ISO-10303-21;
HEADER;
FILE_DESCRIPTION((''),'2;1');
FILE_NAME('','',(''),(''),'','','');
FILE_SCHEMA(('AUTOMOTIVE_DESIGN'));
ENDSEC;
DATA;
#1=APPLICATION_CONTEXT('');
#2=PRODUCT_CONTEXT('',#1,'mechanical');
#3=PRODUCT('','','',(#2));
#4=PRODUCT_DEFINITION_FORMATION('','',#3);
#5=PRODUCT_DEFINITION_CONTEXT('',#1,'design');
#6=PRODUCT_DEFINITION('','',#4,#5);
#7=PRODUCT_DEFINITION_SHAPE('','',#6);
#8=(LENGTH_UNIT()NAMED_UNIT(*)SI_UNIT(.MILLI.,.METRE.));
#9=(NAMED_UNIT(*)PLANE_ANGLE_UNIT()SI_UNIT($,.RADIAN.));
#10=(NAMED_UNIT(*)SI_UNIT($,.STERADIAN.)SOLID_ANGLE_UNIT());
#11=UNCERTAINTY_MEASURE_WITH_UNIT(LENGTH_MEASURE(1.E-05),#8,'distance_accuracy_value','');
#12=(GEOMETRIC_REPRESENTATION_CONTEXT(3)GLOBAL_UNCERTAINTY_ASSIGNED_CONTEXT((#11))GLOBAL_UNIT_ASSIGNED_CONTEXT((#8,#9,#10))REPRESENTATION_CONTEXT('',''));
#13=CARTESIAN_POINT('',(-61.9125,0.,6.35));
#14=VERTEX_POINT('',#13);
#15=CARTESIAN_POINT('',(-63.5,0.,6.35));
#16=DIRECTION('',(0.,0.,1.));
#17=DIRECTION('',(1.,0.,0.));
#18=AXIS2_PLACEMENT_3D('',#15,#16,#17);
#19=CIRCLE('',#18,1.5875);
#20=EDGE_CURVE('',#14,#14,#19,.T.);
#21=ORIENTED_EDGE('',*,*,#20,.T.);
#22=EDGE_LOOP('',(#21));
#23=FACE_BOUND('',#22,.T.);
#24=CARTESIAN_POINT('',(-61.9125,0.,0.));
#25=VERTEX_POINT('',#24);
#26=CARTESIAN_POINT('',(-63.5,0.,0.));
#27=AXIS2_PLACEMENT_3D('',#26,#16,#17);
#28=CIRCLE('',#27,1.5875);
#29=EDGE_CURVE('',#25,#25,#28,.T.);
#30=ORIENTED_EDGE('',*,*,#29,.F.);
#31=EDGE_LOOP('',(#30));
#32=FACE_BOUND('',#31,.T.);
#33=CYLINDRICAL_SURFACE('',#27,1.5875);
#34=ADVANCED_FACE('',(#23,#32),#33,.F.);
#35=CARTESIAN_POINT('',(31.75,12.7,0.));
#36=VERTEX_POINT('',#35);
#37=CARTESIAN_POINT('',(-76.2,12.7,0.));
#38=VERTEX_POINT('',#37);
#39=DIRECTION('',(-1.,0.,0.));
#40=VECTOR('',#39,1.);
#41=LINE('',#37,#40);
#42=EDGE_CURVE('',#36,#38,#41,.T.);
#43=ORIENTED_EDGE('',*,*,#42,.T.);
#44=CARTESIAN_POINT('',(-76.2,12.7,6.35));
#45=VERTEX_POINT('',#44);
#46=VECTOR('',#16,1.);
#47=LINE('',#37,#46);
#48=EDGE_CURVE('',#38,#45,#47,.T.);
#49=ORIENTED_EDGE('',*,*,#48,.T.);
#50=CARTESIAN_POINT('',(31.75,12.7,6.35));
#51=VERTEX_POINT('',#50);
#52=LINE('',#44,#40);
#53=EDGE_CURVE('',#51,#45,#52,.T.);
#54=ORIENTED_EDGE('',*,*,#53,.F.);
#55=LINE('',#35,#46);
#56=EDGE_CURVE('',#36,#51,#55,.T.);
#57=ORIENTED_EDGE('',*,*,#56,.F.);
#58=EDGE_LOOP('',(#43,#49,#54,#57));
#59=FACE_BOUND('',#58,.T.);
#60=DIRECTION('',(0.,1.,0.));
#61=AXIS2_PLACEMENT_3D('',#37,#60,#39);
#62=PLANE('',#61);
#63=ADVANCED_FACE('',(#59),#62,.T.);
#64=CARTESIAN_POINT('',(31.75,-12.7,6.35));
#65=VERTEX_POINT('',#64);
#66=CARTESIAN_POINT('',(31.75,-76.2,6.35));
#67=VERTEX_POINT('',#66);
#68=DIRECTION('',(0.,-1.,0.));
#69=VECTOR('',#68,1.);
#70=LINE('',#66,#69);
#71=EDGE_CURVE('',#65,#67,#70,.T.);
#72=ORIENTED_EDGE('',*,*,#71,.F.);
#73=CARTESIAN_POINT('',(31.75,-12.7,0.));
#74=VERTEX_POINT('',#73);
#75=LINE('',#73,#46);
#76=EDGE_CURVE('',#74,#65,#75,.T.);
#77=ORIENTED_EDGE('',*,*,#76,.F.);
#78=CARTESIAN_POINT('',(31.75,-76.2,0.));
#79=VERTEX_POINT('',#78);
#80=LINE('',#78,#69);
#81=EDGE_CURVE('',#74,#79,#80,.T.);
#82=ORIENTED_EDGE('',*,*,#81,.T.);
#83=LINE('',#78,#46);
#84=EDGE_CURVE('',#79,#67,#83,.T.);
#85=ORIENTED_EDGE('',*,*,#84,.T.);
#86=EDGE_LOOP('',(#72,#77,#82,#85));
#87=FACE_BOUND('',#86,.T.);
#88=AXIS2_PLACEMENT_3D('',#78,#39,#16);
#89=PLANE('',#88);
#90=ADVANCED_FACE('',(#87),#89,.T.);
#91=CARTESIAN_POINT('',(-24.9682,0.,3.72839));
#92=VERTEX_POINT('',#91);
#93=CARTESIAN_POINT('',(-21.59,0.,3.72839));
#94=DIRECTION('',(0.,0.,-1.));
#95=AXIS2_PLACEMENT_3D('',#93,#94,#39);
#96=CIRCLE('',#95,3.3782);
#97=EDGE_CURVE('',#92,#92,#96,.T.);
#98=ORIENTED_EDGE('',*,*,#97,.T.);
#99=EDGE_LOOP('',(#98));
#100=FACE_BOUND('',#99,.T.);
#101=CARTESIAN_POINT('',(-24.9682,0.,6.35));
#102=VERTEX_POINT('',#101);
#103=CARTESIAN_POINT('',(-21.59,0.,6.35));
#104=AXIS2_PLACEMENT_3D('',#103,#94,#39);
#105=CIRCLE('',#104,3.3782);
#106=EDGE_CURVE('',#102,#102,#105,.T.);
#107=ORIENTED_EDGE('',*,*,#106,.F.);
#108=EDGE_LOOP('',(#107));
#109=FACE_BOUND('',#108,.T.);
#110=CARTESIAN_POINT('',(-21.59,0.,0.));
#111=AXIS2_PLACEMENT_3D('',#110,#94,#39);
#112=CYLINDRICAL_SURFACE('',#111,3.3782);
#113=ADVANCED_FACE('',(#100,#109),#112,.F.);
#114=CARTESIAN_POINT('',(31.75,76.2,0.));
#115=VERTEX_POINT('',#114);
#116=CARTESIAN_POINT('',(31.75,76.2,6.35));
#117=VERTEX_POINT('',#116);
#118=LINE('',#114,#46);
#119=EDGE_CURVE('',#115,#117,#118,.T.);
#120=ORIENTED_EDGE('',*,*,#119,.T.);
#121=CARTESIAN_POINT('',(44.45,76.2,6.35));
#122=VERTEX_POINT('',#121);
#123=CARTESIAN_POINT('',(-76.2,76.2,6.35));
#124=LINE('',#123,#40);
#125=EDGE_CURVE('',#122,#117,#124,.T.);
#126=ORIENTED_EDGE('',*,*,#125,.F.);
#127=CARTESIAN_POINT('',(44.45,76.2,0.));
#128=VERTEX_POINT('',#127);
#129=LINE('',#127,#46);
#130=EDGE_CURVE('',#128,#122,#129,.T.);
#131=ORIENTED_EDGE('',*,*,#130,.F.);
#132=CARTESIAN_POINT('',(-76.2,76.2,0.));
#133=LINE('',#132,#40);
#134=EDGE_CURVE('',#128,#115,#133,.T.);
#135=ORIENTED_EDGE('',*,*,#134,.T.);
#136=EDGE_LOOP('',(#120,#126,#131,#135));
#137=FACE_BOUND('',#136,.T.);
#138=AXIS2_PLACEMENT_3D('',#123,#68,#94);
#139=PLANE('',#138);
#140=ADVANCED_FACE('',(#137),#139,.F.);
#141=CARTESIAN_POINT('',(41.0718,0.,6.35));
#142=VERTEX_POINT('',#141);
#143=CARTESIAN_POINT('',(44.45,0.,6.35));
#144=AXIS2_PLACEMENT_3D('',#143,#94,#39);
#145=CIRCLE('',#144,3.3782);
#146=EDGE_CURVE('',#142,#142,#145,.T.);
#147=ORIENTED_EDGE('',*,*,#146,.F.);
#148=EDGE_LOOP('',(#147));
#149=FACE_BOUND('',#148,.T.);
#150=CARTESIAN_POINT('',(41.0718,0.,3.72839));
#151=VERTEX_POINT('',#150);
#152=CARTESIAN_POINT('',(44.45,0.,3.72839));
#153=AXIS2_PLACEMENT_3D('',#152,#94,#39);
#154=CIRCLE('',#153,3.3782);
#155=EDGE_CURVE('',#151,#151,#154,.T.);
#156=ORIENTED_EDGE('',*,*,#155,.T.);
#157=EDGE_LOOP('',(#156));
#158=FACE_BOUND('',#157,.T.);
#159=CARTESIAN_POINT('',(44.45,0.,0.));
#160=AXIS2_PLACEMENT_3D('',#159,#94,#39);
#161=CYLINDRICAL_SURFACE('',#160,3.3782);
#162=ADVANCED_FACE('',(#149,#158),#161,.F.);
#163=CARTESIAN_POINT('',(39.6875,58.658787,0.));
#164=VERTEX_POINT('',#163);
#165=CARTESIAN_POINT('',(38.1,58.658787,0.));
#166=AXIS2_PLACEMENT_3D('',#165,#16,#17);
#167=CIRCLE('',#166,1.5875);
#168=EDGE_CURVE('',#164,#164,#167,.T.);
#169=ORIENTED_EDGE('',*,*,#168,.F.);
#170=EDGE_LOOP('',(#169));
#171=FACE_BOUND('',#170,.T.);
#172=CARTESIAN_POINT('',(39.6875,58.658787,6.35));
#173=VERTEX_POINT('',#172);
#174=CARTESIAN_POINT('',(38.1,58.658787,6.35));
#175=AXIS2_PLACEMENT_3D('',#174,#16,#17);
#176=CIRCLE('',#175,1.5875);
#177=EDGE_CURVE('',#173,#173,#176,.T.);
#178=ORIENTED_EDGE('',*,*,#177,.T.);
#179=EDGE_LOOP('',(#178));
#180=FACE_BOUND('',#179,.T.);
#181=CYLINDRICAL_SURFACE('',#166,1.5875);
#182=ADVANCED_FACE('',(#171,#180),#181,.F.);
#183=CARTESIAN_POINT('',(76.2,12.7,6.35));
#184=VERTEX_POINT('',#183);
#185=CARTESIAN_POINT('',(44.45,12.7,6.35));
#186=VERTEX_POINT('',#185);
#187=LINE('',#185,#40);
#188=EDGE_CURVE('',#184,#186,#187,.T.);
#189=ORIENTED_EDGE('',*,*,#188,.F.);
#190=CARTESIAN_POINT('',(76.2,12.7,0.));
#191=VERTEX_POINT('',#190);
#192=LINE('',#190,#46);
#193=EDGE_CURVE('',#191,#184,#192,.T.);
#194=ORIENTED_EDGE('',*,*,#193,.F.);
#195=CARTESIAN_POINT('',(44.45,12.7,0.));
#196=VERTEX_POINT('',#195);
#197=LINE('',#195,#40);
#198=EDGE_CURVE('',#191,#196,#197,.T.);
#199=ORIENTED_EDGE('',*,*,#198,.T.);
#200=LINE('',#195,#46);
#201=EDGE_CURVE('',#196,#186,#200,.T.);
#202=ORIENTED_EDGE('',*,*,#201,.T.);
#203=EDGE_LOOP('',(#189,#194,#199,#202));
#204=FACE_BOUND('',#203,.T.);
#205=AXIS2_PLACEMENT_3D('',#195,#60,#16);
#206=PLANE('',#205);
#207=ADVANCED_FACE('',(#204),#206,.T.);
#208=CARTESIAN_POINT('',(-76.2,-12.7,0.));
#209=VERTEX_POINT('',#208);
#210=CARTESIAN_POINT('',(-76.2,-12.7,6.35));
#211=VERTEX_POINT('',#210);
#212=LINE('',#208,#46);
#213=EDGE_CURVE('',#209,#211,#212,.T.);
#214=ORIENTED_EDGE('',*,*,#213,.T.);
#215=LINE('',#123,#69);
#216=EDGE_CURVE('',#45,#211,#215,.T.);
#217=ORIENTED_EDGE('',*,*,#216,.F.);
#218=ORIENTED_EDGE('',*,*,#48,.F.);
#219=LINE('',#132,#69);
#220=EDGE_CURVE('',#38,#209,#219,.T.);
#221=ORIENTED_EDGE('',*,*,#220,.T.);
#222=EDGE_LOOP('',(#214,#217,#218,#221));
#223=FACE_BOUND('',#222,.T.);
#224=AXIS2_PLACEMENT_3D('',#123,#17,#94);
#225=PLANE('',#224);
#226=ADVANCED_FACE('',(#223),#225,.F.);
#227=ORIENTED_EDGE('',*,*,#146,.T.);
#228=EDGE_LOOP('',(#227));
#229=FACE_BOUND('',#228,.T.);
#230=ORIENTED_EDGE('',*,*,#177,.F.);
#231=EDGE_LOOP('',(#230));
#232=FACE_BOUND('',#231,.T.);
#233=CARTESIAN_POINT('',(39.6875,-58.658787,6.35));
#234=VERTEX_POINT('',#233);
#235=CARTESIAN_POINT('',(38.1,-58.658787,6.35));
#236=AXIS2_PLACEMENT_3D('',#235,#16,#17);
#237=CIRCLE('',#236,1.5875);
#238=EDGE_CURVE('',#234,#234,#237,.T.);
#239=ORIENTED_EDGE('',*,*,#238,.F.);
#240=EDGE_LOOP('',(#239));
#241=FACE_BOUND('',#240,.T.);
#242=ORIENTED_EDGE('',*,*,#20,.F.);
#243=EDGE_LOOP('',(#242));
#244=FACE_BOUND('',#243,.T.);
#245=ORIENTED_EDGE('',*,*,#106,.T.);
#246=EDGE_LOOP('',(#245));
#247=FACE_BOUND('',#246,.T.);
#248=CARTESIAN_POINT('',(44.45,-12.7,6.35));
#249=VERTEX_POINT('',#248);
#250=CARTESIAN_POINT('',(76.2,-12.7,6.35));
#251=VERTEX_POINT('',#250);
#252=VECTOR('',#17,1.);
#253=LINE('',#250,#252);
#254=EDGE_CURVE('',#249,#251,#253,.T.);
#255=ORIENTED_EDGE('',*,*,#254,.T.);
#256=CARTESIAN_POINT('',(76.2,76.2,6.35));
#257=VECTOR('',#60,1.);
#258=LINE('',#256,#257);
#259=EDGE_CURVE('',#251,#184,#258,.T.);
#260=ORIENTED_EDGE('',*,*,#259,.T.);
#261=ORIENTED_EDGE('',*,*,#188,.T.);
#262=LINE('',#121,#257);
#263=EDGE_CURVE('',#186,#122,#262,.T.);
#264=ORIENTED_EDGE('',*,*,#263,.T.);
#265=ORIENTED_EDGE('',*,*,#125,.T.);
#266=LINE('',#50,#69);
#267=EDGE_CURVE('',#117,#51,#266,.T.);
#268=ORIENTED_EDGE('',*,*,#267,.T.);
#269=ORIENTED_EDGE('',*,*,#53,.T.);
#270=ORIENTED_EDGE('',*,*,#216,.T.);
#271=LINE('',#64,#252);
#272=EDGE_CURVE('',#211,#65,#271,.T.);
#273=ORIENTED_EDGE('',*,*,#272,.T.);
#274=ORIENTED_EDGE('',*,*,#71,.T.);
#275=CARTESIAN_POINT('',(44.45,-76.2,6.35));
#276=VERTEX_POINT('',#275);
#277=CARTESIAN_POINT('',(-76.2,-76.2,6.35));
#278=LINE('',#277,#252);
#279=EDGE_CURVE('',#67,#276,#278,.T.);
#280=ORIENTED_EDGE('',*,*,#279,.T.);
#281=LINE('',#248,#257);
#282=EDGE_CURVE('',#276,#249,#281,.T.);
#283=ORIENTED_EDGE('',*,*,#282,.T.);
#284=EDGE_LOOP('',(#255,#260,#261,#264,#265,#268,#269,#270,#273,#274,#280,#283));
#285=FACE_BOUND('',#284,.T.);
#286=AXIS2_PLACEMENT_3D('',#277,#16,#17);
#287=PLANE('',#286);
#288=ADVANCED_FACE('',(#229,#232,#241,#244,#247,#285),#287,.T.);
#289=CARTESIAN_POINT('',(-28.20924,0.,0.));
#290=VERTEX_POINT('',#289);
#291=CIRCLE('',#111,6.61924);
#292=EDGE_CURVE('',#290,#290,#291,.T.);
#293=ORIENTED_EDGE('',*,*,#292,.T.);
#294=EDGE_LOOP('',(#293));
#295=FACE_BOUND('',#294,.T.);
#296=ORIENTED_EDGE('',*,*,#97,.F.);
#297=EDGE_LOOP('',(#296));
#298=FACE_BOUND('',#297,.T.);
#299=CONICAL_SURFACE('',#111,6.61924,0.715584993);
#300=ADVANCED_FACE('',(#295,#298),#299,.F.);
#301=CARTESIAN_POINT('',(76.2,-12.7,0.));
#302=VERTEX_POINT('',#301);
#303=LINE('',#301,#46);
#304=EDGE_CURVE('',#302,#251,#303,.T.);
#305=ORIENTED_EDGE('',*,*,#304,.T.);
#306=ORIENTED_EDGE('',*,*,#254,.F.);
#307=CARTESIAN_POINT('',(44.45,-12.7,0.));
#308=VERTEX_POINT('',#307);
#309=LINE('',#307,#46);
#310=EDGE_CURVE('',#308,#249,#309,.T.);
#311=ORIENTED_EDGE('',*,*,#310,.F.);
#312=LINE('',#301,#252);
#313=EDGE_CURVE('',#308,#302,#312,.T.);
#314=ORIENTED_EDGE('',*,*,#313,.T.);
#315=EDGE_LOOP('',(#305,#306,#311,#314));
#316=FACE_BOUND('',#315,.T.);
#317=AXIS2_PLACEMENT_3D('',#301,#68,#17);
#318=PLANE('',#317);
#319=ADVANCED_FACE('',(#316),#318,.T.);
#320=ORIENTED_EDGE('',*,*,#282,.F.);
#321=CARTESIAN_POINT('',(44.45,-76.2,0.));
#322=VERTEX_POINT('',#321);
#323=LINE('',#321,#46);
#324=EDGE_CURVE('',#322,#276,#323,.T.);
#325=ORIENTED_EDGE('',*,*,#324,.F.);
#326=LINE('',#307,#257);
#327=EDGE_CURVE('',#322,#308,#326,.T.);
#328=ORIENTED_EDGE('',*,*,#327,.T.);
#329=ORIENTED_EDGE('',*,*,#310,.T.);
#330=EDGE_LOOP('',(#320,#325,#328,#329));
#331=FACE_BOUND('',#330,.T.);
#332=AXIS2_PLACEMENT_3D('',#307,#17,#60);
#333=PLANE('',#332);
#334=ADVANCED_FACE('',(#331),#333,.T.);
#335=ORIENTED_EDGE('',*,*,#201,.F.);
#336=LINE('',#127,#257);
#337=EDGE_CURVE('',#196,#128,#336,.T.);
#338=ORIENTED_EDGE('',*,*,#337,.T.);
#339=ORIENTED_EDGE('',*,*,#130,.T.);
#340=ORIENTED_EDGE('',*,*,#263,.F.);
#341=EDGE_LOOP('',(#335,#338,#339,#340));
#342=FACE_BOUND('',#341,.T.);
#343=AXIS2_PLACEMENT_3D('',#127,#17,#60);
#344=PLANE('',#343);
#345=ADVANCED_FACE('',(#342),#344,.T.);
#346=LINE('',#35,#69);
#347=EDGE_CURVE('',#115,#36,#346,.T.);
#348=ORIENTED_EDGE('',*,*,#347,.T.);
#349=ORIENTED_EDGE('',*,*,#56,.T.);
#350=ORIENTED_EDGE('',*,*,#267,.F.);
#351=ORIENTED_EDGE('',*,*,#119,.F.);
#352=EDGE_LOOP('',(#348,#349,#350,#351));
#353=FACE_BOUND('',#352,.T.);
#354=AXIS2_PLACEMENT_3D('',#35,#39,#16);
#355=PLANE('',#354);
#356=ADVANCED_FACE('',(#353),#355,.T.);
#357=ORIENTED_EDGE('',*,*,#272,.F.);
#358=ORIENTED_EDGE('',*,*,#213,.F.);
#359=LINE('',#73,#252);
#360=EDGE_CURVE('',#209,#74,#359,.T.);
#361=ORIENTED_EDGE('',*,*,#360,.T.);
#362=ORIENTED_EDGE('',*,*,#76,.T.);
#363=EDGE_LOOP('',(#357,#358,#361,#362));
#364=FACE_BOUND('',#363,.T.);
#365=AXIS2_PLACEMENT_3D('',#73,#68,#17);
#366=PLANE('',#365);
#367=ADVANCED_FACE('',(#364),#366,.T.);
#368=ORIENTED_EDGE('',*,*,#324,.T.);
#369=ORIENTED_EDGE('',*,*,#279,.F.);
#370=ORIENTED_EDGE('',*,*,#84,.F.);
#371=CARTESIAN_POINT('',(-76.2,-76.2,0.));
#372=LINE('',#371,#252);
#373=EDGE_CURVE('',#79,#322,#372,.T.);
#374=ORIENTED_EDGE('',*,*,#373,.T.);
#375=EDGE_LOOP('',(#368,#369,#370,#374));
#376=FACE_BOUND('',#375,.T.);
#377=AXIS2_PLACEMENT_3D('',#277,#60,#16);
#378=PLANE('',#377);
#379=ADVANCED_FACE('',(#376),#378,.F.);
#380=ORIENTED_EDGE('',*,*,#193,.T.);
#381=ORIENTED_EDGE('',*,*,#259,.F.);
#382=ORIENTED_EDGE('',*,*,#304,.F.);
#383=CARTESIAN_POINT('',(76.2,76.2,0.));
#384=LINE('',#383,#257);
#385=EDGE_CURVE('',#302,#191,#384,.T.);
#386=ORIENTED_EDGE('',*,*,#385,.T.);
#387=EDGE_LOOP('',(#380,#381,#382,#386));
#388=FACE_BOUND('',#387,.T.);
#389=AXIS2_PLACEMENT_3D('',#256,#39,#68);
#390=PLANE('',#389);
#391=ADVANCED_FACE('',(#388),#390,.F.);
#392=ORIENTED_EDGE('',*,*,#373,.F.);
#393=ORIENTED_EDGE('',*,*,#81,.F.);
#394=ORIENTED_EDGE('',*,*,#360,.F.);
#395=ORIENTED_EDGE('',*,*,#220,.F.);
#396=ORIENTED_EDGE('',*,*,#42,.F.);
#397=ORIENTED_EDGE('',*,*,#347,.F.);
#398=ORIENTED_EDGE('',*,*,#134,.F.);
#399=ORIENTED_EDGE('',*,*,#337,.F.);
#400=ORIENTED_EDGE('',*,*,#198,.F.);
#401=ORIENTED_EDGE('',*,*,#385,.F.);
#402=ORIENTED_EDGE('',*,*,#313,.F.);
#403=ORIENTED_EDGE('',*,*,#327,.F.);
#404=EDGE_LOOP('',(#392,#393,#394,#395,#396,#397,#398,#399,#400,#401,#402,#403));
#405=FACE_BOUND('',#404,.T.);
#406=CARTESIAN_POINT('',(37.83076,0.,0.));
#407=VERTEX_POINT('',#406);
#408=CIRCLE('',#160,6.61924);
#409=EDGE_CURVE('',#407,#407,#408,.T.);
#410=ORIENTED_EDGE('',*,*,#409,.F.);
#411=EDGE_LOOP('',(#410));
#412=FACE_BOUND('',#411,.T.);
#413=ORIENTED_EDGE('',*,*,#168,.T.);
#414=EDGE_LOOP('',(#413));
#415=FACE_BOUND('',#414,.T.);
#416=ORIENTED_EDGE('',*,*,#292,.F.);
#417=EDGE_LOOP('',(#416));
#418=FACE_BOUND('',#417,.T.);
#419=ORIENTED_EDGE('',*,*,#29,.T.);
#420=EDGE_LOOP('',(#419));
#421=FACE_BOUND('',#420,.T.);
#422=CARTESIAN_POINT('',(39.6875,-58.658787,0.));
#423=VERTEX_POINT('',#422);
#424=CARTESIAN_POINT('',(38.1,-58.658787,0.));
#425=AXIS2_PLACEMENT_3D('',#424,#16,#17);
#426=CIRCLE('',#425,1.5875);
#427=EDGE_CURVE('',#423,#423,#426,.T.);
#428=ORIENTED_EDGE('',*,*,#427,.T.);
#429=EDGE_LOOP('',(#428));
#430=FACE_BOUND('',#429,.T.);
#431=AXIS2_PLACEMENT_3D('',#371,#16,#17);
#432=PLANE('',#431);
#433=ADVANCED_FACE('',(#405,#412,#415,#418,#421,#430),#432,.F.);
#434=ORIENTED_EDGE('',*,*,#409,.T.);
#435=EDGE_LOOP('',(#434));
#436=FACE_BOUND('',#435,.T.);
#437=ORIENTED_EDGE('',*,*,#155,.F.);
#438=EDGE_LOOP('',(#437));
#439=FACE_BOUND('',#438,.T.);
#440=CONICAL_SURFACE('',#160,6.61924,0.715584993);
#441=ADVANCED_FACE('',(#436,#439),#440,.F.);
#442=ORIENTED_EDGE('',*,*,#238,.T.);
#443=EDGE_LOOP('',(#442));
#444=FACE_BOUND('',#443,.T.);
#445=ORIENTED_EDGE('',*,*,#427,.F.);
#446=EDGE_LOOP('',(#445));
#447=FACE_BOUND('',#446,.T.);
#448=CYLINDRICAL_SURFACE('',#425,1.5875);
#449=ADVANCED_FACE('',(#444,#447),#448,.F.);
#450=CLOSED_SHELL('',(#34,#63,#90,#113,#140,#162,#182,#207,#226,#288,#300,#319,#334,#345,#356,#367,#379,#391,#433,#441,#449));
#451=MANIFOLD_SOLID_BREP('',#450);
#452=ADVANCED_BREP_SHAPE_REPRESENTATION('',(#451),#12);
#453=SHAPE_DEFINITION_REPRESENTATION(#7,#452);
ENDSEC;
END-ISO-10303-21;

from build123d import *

# Parameters (mm, degrees)
SKETCH1_W         = 152.4
SKETCH1_H         = 152.4
EXTRUDE1_DEPTH    = 6.35
SKETCH2_R         = 1.5875
EXTRUDE2_DEPTH    = 108.95
SKETCH3_OUTSIDE_W = 197.524
SKETCH3_OUTSIDE_H = 197.524
EXTRUDE3_DEPTH    = 108.95


with BuildPart() as part:
    # Sketch1 → Extrude1 (new body)
    with BuildSketch(Plane.XY):
        Rectangle(SKETCH1_W, SKETCH1_H)
    extrude(amount=EXTRUDE1_DEPTH)

    # Sketch2 → Extrude2 (cut, through all)
    with BuildSketch(Plane.XY.offset(6.35)):
        with Locations((-63.5, 0)):
            Circle(SKETCH2_R)
        with Locations((38.1, 58.65878735)):
            Circle(SKETCH2_R)
        with Locations((38.1, -58.65878735)):
            Circle(SKETCH2_R)
    extrude(amount=-EXTRUDE2_DEPTH, mode=Mode.SUBTRACT)

    # Sketch3 outside → Extrude3 (cut, through all)
    with BuildSketch(Plane.XY.offset(6.35)):
        Rectangle(SKETCH3_OUTSIDE_W, SKETCH3_OUTSIDE_H)
        Polygon((-76.2, 12.7), (31.75, 12.7), (31.75, 76.2), (44.45, 76.2), (44.45, 12.7), (76.2, 12.7), (76.2, -12.7), (44.45, -12.7), (44.45, -76.2), (31.75, -76.2), (31.75, -12.7), (-76.2, -12.7), align=None, mode=Mode.SUBTRACT)
    extrude(amount=-EXTRUDE3_DEPTH, mode=Mode.SUBTRACT)

    # Sketch5 → CSK for 1/4 Flat Head Socket Cap Screw1 (revolve, cut)
    with BuildSketch(Plane.YZ.offset(-21.59)):
        Polygon((0, 0), (0, 6.35), (3.3782, 6.35), (3.3782, 3.728390023), (6.61924, 0), align=None)
    revolve(axis=Axis((-21.59, 0, -6.35), (0, 0, 1)), mode=Mode.SUBTRACT)

    # Sketch7 → CSK for 1/4 Flat Head Socket Cap Screw2 (revolve, cut)
    with BuildSketch(Plane.YZ.offset(44.45)):
        Polygon((0, 0), (0, 6.35), (3.3782, 6.35), (3.3782, 3.728390023), (6.61924, 0), align=None)
    revolve(axis=Axis((44.45, 0, -6.35), (0, 0, 1)), mode=Mode.SUBTRACT)


solid = part.part
